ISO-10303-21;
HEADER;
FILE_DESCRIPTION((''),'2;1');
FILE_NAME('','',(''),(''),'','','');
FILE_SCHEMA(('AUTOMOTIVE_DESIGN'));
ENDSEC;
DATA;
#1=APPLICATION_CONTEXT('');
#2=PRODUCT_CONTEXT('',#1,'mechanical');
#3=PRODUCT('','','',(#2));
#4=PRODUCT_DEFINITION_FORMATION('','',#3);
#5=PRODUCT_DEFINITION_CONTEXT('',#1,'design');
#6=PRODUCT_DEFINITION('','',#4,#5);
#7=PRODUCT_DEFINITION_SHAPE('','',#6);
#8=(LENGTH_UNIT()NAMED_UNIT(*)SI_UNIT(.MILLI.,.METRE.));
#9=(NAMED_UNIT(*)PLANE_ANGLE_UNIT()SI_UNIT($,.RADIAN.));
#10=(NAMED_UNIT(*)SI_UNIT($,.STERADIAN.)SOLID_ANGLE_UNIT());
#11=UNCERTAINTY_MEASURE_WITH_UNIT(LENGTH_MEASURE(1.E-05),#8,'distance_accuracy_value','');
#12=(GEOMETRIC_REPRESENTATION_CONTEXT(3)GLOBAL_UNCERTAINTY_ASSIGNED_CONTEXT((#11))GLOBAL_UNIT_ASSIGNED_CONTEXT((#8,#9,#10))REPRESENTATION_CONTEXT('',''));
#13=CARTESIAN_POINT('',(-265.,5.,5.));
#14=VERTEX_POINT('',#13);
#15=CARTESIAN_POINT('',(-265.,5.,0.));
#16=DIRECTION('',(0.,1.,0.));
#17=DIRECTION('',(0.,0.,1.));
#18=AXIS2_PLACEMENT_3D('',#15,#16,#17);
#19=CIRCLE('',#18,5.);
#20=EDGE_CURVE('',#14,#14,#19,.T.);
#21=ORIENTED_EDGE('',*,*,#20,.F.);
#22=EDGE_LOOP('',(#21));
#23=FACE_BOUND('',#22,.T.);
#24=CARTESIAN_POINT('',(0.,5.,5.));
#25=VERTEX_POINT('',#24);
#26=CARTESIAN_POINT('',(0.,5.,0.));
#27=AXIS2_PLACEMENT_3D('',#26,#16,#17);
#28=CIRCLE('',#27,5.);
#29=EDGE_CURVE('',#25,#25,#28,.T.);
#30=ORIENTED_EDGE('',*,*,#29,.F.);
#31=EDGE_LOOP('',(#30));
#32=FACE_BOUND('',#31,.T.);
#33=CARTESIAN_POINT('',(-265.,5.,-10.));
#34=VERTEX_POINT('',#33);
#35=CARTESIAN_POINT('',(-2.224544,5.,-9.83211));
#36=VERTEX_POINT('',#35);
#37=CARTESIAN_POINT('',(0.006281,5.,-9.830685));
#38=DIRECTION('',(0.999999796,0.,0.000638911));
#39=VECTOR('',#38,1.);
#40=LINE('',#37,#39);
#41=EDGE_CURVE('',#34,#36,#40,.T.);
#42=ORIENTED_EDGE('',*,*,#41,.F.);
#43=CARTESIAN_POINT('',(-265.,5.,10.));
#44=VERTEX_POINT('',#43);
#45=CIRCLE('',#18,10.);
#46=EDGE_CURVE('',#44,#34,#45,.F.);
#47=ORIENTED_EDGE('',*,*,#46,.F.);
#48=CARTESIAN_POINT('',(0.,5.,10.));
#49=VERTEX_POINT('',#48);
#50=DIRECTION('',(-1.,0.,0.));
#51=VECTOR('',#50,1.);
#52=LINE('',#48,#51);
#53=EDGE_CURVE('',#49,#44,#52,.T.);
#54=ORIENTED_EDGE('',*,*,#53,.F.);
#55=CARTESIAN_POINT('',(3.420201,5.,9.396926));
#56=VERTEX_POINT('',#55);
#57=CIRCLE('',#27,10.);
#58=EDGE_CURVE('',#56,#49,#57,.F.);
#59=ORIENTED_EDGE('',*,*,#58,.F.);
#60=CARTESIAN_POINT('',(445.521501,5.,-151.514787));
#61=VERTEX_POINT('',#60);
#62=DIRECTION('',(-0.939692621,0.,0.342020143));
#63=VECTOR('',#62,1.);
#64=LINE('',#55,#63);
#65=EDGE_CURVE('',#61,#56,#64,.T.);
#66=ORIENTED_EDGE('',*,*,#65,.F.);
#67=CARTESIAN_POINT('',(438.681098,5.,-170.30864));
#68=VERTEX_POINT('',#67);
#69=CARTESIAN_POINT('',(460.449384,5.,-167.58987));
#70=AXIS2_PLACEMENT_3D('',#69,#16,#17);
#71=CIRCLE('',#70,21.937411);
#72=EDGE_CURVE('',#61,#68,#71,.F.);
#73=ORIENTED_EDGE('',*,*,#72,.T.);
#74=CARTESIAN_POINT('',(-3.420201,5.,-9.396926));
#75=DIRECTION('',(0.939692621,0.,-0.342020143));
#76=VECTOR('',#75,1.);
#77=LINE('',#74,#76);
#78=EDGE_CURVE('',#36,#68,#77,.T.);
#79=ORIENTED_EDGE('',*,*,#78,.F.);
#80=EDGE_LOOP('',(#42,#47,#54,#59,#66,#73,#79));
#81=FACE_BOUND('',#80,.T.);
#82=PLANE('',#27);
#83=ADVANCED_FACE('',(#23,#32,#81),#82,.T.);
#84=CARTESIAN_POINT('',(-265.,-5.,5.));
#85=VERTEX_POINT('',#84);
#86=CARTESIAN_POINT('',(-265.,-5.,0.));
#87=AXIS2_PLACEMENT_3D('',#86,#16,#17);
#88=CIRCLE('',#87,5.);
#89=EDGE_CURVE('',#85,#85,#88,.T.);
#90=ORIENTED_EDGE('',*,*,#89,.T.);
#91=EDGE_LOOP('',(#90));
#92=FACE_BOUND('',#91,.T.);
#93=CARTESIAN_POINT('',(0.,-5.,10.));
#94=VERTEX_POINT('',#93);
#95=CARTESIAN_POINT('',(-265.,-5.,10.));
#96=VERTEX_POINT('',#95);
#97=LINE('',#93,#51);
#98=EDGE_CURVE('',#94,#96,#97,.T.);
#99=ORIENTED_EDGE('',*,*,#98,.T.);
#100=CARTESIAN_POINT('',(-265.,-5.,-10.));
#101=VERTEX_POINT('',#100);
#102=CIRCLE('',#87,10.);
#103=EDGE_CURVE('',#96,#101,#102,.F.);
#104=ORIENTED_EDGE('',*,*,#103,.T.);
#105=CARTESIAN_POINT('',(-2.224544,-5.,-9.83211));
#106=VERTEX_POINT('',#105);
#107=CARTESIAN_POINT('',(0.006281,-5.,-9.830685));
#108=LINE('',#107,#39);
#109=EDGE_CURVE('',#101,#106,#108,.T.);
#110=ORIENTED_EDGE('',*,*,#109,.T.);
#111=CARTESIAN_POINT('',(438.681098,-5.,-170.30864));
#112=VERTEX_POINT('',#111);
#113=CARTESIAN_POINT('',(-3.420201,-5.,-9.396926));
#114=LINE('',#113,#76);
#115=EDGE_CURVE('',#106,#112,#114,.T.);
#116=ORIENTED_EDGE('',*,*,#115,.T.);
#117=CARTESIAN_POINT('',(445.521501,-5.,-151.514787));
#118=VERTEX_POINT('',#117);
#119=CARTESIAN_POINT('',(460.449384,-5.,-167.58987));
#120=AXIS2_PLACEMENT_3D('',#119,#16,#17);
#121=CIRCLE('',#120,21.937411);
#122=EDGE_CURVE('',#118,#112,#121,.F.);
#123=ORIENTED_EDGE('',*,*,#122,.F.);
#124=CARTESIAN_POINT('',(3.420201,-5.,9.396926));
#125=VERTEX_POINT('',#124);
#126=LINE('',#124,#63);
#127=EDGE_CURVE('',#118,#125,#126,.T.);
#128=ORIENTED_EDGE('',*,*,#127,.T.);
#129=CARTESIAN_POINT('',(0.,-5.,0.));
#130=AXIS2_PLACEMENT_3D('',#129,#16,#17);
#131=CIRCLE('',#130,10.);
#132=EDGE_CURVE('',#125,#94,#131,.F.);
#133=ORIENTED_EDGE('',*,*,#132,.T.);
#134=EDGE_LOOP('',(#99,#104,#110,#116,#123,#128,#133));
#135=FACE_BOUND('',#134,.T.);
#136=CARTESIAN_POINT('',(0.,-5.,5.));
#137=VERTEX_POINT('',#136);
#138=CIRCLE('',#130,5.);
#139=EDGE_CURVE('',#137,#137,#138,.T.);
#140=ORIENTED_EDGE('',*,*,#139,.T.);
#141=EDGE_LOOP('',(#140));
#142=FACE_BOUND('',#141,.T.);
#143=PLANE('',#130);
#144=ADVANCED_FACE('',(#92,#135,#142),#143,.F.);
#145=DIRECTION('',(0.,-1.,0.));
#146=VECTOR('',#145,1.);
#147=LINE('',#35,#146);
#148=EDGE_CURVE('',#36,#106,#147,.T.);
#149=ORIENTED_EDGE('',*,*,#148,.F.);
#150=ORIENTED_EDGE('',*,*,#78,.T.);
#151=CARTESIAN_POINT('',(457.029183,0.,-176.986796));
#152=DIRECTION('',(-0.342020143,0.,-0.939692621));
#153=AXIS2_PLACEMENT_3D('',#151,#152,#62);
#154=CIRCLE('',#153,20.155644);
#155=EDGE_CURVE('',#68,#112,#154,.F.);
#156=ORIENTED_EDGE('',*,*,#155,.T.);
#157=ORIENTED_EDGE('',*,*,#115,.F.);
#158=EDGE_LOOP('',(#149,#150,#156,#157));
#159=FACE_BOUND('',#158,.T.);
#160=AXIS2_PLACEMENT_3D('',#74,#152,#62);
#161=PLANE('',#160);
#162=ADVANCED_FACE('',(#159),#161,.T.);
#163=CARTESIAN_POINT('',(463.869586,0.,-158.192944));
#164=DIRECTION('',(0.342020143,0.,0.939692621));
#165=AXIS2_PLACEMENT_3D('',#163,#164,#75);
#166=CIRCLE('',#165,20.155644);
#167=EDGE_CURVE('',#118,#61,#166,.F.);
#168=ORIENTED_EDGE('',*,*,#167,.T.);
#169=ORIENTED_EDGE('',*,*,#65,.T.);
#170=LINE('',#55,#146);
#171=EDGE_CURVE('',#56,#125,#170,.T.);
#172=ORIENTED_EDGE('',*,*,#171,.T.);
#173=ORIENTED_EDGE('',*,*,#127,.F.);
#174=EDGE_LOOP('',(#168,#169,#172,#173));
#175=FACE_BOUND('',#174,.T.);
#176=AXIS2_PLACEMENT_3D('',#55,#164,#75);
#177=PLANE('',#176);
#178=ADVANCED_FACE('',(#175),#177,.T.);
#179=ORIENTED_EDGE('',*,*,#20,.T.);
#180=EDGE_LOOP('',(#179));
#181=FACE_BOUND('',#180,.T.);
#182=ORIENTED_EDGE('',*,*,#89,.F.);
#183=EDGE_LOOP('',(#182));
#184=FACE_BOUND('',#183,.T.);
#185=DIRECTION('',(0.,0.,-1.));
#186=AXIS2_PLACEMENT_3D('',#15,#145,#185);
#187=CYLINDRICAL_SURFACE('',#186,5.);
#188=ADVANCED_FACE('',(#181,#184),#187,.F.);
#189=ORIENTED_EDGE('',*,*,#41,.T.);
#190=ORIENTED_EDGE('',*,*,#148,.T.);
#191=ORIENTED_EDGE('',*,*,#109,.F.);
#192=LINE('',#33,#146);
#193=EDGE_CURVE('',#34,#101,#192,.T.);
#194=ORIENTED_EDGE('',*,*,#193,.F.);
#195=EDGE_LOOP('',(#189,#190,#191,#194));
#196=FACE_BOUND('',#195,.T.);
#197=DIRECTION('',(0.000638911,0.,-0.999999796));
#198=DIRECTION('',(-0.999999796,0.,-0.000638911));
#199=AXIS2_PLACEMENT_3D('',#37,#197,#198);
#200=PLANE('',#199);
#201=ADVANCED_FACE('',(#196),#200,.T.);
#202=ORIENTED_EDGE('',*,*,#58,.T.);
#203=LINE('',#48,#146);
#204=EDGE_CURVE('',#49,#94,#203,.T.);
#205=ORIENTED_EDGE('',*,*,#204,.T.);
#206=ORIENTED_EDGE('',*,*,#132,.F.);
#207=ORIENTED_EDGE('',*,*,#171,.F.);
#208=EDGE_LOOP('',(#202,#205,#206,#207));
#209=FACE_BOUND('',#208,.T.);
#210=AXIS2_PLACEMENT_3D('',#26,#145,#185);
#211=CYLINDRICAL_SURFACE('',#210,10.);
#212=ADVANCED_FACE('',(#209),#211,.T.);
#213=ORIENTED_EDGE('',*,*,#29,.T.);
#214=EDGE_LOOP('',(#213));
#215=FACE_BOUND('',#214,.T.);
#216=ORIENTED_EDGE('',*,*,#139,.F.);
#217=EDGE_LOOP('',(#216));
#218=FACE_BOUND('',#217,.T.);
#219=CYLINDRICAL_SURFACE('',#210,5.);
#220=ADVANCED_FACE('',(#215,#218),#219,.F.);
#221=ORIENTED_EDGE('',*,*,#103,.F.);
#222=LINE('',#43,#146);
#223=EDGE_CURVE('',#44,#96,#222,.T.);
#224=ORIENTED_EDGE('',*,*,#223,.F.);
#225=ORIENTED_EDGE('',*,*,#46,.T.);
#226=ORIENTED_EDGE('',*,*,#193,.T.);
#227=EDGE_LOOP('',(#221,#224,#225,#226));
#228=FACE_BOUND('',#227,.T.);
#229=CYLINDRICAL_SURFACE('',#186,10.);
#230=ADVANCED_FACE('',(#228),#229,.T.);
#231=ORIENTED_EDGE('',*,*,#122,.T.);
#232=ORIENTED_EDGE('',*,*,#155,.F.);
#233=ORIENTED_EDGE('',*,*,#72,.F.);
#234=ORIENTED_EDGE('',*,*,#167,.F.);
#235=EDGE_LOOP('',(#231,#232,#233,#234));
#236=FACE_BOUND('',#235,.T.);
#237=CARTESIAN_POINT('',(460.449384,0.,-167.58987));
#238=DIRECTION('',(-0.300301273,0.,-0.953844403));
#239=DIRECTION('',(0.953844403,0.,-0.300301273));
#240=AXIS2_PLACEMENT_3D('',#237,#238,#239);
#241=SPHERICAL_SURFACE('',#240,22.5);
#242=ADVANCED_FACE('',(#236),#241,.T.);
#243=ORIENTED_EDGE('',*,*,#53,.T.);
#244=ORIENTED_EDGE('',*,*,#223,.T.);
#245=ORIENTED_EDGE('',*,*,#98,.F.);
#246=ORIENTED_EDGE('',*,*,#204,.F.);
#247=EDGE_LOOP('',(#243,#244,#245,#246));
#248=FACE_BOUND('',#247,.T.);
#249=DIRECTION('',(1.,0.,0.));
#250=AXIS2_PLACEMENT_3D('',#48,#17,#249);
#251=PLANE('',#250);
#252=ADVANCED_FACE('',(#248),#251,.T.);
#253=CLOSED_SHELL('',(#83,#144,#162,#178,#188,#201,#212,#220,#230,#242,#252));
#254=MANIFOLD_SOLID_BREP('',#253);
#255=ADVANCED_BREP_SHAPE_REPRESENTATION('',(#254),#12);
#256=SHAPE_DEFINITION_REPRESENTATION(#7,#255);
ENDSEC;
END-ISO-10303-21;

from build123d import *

# Parameters (mm, degrees)
SKETCH1_R           = 5
BOSS_EXTRUDE1_DEPTH = 5
SKETCH2_R           = 5
BOSS_EXTRUDE2_DEPTH = 5


with BuildPart() as part:
    # Sketch1 → Boss-Extrude1 (new, symmetric)
    with BuildSketch(Plane(origin=(0, 0, 0), x_dir=(1, 0, 0), z_dir=(0, 1, 0))):
        with BuildLine():
            ThreePointArc((3.420201433, -9.396926208), (1.736481777, -9.84807753), (0, -10))
            Line((0, -10), (-265, -10))
            ThreePointArc((-265, -10), (-275, 0), (-265, 10))
            Line((-265, 10), (-2.224544129, 9.832109877))
            Line((-2.224544129, 9.832109877), (457.029182752, 176.986796437))
            ThreePointArc((457.029182752, 176.986796437), (469.846310393, 171.010071663), (463.869585618, 158.192944022))
            Line((463.869585618, 158.192944022), (3.420201433, -9.396926208))
        make_face()
        with Locations(Location((460.449384185, 167.58987023, 0), (0, 0, 270))):
            Circle(SKETCH1_R, mode=Mode.SUBTRACT)
        with Locations(Location((0, 0, 0), (0, 0, 270))):
            Circle(SKETCH1_R, mode=Mode.SUBTRACT)
        with Locations(Location((-265, 0, 0), (0, 0, 270))):
            Circle(SKETCH1_R, mode=Mode.SUBTRACT)
    extrude(amount=BOSS_EXTRUDE1_DEPTH, both=True)

    # Sketch2 → Boss-Extrude2 (add, symmetric)
    with BuildSketch(Plane(origin=(0, 0, 0), x_dir=(1, 0, 0), z_dir=(0, 1, 0))):
        with Locations((460.449384185, 167.58987023)):
            Circle(SKETCH2_R)
    extrude(amount=BOSS_EXTRUDE2_DEPTH, both=True)

    # Sketch3 → Revolve1 (revolve)
    with BuildSketch(Plane(origin=(0, 0, 0), x_dir=(1, 0, 0), z_dir=(0, 1, 0))):
        with BuildLine():
            Line((453.692605533, 189.051369298), (467.206162837, 146.128371161))
            ThreePointArc((467.206162837, 146.128371161), (481.910883253, 174.346648881), (453.692605533, 189.051369298))
        make_face()
    revolve(axis=Axis((453.692605533, 0, -189.051369298), (0.30030127341076346, 0, 0.9538444030280169)))


solid = part.part
